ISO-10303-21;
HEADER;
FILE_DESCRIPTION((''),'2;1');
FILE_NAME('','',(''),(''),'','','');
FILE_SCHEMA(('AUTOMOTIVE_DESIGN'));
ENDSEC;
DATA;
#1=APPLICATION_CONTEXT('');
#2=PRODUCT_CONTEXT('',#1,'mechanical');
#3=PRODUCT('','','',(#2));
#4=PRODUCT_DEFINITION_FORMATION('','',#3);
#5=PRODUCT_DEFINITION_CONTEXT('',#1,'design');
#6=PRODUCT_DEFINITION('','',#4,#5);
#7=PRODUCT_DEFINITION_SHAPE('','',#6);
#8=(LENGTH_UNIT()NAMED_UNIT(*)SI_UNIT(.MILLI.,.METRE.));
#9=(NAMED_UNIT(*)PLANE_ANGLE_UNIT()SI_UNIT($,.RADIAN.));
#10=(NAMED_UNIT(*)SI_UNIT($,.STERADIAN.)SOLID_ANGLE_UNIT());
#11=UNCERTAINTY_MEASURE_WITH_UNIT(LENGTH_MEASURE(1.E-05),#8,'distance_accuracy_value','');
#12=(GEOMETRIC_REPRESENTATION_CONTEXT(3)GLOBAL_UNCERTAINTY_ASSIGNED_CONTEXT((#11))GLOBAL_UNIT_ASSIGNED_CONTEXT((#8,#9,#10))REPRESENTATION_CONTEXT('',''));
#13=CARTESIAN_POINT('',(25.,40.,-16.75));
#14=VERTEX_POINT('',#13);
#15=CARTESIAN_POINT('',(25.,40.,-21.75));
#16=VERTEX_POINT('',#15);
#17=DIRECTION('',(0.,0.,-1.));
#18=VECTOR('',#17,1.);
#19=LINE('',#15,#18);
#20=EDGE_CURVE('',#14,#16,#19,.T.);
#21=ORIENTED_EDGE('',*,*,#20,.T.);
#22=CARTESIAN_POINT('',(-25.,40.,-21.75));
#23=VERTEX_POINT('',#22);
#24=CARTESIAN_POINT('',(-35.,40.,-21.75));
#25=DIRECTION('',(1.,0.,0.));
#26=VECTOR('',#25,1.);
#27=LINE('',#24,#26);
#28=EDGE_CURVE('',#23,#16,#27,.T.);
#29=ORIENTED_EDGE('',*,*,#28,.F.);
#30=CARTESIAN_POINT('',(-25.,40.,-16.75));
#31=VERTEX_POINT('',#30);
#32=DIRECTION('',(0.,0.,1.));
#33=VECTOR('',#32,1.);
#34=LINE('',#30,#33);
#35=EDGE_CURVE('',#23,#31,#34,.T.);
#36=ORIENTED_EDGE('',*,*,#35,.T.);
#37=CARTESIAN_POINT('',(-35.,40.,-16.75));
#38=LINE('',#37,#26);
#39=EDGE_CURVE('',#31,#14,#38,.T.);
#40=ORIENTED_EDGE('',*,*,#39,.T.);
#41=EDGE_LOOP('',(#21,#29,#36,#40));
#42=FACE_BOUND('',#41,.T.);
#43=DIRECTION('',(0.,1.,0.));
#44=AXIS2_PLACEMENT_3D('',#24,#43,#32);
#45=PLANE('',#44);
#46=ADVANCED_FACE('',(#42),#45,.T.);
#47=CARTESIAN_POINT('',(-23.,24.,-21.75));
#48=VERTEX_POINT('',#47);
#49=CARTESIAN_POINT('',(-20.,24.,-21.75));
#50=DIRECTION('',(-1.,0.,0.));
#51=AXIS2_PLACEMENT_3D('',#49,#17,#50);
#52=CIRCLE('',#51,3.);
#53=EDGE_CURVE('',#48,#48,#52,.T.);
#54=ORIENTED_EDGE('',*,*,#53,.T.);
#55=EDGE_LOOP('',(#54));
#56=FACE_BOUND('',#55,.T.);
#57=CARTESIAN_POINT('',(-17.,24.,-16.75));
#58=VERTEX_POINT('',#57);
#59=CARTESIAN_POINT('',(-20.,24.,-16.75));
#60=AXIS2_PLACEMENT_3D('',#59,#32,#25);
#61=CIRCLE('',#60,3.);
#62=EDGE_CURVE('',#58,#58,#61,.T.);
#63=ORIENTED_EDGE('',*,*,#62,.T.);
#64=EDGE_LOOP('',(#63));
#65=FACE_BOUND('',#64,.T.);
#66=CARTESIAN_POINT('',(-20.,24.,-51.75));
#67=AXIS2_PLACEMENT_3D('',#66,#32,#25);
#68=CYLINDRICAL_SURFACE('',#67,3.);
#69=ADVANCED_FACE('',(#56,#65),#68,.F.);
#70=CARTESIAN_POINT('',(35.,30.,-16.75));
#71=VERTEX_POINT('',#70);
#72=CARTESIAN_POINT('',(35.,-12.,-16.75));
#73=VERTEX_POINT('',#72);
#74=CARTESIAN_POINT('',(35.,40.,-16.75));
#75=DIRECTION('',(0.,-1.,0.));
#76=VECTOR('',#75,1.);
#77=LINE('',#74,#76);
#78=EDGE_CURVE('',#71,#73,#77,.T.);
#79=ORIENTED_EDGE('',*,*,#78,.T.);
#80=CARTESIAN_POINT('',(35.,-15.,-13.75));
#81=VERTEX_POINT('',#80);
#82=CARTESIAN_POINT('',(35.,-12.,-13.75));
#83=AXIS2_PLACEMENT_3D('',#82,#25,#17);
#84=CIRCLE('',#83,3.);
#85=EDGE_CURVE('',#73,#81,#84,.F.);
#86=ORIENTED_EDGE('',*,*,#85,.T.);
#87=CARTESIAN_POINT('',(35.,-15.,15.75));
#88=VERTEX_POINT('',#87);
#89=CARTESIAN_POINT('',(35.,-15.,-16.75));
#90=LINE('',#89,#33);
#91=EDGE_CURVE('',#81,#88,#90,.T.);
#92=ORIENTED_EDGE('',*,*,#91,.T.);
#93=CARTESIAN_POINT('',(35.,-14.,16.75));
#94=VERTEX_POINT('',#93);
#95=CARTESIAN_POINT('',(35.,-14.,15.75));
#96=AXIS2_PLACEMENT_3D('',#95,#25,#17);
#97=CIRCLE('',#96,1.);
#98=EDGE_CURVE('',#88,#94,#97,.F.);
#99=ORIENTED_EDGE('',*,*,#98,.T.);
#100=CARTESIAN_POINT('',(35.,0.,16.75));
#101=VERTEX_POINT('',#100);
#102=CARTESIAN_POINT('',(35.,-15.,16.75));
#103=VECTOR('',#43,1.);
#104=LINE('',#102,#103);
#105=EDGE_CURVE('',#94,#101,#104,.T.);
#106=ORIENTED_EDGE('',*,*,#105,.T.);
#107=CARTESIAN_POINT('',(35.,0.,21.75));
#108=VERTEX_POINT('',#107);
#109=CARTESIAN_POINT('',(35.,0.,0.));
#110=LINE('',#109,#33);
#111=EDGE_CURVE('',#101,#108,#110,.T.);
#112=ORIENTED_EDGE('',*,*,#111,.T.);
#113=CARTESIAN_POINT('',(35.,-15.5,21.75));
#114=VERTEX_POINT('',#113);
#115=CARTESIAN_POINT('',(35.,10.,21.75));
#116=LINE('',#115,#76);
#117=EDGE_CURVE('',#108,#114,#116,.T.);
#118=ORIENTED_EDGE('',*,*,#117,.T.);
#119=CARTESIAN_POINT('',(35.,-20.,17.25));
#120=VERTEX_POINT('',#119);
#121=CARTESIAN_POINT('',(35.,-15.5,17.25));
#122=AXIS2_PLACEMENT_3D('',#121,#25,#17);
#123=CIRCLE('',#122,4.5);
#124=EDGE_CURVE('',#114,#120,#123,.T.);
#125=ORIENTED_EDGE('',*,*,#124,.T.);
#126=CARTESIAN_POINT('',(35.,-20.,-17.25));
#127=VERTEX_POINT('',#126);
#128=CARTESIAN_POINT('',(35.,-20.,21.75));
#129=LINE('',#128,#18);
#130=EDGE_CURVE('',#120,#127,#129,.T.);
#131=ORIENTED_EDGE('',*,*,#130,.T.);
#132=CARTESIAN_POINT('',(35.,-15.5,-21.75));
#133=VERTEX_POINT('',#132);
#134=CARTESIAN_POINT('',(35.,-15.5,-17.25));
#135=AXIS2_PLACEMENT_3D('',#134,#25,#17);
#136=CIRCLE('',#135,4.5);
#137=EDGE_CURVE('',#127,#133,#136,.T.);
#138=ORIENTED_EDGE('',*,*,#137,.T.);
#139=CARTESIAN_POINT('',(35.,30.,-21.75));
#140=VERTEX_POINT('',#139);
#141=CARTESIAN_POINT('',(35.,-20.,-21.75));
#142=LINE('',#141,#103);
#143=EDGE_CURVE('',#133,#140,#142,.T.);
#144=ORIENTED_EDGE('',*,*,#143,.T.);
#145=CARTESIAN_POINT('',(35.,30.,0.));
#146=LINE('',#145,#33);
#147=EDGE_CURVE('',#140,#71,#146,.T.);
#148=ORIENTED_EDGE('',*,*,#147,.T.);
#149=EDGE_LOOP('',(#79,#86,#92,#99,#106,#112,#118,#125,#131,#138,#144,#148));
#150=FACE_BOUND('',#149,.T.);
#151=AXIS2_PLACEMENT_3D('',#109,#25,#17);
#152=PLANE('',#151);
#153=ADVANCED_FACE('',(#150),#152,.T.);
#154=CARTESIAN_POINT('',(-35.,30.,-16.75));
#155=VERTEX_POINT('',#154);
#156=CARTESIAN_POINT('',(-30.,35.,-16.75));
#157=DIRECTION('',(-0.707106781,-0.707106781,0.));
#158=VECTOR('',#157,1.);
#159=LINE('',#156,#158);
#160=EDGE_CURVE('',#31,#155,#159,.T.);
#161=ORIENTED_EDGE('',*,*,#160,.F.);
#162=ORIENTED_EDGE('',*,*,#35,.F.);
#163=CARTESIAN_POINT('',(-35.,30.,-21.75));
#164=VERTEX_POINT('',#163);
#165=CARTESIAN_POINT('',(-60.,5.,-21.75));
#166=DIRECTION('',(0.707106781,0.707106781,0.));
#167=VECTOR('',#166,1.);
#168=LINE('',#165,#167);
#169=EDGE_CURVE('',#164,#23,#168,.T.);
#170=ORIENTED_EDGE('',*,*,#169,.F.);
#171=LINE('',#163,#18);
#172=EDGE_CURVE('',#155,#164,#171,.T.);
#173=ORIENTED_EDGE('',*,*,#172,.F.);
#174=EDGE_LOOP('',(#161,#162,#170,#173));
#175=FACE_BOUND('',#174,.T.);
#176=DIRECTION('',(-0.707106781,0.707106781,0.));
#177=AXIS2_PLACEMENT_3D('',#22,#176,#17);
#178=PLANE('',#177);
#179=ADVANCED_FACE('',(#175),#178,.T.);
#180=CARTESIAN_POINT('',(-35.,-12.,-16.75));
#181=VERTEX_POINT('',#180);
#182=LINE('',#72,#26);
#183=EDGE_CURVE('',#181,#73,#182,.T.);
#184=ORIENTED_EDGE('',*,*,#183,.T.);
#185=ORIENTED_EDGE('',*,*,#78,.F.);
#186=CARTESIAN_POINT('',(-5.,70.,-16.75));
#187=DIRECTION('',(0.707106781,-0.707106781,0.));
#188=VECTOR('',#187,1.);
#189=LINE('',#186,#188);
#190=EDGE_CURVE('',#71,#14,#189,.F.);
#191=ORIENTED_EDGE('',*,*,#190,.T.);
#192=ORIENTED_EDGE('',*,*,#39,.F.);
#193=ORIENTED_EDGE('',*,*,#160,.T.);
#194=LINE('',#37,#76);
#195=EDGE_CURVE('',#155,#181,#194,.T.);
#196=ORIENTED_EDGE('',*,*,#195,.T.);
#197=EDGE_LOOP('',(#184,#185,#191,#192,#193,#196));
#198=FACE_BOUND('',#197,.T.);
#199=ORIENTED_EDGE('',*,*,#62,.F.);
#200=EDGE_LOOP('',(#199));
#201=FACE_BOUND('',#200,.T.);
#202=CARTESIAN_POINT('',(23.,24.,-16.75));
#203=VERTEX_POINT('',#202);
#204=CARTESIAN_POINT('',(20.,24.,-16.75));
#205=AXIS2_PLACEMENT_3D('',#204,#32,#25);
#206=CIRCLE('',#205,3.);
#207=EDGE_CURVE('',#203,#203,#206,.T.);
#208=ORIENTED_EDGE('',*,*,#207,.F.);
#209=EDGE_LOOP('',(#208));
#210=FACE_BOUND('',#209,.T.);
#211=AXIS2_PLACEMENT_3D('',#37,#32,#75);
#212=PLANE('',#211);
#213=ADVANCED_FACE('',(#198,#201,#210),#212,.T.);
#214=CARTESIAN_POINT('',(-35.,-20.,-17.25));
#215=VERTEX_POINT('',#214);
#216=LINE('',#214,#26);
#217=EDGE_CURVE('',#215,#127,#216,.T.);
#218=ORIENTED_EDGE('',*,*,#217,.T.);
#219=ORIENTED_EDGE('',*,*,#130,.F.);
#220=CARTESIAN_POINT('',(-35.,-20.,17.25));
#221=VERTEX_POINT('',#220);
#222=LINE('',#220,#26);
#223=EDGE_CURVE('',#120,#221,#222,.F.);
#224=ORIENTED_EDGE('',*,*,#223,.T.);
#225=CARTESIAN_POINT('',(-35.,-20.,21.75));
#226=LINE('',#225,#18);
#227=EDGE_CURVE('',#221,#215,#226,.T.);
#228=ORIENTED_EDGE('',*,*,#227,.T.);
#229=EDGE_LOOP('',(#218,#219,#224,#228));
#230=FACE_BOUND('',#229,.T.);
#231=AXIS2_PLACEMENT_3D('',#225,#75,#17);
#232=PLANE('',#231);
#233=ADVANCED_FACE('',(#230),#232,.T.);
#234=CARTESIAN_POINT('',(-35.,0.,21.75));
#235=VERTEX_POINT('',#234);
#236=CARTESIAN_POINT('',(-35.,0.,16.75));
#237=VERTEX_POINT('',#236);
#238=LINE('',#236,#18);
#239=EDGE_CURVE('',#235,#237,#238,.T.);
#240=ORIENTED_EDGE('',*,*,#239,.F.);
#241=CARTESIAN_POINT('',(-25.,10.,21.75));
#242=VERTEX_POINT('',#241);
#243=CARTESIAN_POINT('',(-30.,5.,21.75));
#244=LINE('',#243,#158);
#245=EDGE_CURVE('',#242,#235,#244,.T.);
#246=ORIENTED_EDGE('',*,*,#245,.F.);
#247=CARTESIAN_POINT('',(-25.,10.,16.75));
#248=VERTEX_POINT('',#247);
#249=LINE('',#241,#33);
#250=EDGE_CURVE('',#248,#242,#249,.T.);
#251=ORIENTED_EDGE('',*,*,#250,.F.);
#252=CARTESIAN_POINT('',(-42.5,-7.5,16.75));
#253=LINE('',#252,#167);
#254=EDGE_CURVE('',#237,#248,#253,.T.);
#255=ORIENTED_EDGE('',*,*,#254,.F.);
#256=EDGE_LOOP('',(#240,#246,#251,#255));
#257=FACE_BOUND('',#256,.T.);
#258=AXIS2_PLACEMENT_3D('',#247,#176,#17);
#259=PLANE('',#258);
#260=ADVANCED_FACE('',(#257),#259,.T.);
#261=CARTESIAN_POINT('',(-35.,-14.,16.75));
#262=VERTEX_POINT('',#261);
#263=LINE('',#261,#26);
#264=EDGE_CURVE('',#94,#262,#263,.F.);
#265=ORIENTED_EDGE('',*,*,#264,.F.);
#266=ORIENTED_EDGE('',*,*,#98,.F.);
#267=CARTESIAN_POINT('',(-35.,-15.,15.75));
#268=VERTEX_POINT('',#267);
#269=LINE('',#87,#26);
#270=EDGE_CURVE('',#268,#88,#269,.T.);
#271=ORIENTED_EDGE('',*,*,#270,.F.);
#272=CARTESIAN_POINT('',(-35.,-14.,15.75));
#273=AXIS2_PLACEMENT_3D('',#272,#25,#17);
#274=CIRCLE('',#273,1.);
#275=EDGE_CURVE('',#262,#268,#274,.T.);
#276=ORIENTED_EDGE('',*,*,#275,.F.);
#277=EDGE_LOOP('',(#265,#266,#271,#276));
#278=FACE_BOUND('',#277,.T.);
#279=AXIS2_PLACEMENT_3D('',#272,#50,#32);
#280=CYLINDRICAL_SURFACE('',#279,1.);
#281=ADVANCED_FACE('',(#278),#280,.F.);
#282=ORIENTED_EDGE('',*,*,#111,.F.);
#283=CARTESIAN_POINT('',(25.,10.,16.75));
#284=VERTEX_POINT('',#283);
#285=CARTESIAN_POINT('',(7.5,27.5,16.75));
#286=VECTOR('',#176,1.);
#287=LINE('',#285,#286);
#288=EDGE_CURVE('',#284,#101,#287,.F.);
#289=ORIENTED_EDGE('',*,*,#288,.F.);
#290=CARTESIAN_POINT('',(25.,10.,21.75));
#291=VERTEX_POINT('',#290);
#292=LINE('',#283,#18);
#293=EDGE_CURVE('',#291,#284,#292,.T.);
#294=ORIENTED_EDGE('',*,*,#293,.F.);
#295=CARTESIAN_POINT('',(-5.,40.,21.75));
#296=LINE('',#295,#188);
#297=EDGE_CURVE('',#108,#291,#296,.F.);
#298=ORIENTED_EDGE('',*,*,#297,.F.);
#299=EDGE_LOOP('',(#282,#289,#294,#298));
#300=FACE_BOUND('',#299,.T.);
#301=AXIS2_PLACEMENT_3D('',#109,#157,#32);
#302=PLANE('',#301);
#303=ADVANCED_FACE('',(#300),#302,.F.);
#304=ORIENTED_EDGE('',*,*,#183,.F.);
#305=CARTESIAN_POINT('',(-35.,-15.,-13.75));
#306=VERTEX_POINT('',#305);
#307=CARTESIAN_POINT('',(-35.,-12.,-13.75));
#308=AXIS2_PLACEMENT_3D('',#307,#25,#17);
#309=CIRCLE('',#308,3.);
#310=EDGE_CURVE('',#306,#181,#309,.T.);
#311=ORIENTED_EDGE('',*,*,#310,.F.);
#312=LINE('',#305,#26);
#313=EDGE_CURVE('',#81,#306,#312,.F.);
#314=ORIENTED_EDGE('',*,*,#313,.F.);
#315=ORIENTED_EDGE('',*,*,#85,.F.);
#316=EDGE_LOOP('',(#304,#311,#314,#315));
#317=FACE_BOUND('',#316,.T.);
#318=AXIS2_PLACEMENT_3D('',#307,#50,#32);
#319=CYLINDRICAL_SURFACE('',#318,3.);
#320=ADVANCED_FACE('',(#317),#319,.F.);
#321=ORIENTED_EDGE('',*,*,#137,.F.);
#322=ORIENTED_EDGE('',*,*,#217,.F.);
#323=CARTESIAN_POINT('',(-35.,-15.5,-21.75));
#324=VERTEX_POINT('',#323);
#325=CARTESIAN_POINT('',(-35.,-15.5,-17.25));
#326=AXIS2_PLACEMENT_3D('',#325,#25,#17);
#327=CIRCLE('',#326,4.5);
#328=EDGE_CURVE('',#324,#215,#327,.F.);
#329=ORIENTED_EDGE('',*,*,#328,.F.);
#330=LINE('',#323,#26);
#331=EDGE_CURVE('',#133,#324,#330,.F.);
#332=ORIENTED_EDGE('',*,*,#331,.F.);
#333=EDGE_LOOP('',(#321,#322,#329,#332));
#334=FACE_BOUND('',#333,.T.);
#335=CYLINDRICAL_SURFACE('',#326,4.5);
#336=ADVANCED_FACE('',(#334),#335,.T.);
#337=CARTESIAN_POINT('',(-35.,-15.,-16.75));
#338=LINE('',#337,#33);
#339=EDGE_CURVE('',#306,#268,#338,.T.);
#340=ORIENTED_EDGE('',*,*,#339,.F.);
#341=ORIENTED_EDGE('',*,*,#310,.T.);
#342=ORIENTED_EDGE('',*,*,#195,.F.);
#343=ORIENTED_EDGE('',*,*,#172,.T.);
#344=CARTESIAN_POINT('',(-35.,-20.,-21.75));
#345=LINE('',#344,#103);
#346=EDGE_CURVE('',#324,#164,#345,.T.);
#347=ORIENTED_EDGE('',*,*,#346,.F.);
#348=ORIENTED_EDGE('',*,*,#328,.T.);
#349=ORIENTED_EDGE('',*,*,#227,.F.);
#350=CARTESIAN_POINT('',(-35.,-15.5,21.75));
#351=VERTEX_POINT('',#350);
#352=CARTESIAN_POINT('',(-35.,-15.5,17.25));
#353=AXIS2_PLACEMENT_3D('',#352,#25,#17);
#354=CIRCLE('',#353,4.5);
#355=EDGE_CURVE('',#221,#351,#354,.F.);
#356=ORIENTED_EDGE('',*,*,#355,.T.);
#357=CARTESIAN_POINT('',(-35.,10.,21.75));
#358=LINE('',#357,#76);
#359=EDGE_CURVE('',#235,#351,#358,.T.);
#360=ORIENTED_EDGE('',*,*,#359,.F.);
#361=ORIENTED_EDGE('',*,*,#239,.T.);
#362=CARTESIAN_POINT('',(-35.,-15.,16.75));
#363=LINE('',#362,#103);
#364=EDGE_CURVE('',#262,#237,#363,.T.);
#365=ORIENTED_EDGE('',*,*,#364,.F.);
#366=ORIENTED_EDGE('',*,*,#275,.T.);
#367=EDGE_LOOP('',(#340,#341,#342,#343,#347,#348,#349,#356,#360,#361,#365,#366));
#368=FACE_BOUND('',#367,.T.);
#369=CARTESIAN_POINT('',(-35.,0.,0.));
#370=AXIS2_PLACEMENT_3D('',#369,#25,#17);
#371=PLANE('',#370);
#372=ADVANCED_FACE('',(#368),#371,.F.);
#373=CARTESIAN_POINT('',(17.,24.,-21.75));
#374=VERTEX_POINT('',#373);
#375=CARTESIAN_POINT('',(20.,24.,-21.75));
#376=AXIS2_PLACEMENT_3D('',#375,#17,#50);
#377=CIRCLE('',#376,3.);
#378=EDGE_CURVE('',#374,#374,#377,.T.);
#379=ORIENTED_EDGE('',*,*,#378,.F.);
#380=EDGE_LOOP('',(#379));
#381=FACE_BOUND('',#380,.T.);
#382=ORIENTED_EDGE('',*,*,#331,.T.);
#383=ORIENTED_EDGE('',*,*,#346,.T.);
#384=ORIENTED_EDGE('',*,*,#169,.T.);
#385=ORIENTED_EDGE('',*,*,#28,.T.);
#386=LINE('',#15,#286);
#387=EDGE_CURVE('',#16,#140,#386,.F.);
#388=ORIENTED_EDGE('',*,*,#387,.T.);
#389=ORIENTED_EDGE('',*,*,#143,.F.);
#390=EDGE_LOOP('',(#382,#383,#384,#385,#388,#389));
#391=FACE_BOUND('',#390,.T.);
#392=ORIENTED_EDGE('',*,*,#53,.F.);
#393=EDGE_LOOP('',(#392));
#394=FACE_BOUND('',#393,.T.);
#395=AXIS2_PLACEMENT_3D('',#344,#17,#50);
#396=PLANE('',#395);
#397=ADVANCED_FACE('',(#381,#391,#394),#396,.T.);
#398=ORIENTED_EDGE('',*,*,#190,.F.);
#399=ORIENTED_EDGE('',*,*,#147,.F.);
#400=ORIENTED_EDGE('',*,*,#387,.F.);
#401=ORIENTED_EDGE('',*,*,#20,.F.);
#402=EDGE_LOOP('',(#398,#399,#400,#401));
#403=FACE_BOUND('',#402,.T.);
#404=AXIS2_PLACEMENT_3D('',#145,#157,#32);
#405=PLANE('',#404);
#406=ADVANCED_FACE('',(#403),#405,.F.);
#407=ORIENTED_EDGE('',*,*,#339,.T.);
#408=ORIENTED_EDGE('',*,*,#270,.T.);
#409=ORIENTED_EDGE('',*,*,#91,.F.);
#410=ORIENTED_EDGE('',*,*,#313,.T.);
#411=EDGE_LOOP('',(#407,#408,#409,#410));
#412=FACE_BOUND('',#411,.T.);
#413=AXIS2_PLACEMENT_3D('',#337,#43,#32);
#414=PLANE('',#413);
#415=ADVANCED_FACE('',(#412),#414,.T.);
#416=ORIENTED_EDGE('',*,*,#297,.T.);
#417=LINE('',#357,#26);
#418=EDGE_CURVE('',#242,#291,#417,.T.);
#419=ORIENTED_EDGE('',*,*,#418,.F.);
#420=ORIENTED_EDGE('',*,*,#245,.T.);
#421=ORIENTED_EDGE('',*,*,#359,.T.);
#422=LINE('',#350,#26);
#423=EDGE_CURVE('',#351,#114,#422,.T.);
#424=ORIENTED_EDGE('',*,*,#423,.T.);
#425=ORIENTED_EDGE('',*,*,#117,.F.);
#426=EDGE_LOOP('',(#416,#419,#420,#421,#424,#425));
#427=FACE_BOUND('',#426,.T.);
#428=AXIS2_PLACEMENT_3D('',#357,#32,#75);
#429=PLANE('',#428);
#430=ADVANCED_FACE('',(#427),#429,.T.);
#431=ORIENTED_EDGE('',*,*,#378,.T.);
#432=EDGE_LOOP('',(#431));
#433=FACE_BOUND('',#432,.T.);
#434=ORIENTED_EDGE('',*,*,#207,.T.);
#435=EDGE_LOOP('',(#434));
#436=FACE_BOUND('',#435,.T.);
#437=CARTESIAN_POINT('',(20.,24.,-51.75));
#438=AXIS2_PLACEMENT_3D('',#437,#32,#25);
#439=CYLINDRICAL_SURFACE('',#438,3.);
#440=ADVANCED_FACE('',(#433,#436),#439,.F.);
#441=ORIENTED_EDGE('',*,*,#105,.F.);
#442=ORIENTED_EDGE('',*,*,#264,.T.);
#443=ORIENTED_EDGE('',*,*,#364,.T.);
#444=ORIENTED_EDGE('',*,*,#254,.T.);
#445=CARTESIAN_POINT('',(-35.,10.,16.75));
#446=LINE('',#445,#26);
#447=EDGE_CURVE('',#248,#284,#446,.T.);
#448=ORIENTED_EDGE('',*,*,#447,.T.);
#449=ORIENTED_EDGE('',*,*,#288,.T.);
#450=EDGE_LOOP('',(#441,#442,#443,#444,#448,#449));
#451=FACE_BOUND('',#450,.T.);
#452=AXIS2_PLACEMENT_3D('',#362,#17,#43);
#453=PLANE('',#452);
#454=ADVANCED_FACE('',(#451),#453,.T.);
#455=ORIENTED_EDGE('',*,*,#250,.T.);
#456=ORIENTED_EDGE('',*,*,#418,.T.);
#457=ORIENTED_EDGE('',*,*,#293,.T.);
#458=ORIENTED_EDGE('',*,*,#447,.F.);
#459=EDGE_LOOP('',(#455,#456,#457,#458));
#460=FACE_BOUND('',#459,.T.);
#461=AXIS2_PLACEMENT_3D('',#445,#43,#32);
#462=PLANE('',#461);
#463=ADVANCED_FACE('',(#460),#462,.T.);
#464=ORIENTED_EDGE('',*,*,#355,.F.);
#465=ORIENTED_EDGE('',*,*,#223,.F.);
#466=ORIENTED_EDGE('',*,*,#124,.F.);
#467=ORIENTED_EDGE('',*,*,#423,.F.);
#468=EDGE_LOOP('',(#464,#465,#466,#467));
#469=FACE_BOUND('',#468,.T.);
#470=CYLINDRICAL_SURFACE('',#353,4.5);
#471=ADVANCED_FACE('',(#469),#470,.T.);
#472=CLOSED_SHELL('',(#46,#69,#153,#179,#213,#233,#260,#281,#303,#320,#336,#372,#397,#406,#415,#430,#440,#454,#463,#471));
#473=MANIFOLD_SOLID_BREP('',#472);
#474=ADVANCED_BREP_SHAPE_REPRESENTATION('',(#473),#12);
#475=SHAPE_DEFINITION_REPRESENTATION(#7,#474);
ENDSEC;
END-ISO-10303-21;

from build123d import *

# Parameters (mm, degrees)
BOSS_EXTRUDE1_DEPTH      = 35
BOSS_EXTRUDE1_DEPTH_BACK = 35
CHAMFER1_SIZE            = 10
SKETCH2_R                = 3
CUT_EXTRUDE1_DEPTH       = 35
FILLET1_R                = 3
FILLET2_R                = 4.5
FILLET3_R                = 1


with BuildPart() as part:
    # Sketch1 → Boss-Extrude1 (new, two sides: drawn at the far end of the back side and taken through both)
    with BuildSketch(Plane(origin=(0, 0, 0), x_dir=(0, 0, -1), z_dir=(1, 0, 0)).offset(-BOSS_EXTRUDE1_DEPTH_BACK)):
        Polygon((-21.75, 10), (-21.75, -20), (21.75, -20), (21.75, 40), (16.75, 40), (16.75, -15), (-16.75, -15), (-16.75, 10), align=None)
    extrude(amount=BOSS_EXTRUDE1_DEPTH + BOSS_EXTRUDE1_DEPTH_BACK)

    # Chamfer1
    chamfer1_edges = [part.edges().sort_by_distance(p)[0] for p in [
        (-35, 40, -19.25),
        (35, 40, -19.25),
        (35, 10, 19.25),
        (-35, 10, 19.25),
    ]]
    chamfer(chamfer1_edges, length=CHAMFER1_SIZE)

    # Sketch2 → Cut-Extrude1 (cut)
    with BuildSketch(Plane.XY.offset(-16.75)):
        with Locations((-20, 24)):
            Circle(SKETCH2_R)
        with Locations((20, 24)):
            Circle(SKETCH2_R)
    extrude(amount=-CUT_EXTRUDE1_DEPTH, mode=Mode.SUBTRACT)

    # Fillet1
    fillet1_edges = [part.edges().sort_by_distance(p)[0] for p in [
        (0, -15, -16.75),
    ]]
    fillet(fillet1_edges, radius=FILLET1_R)

    # Fillet2
    fillet2_edges = [part.edges().sort_by_distance(p)[0] for p in [
        (0, -20, 21.75),
        (0, -20, -21.75),
    ]]
    fillet(fillet2_edges, radius=FILLET2_R)

    # Fillet3
    fillet3_edges = [part.edges().sort_by_distance(p)[0] for p in [
        (0, -15, 16.75),
    ]]
    fillet(fillet3_edges, radius=FILLET3_R)


solid = part.part
